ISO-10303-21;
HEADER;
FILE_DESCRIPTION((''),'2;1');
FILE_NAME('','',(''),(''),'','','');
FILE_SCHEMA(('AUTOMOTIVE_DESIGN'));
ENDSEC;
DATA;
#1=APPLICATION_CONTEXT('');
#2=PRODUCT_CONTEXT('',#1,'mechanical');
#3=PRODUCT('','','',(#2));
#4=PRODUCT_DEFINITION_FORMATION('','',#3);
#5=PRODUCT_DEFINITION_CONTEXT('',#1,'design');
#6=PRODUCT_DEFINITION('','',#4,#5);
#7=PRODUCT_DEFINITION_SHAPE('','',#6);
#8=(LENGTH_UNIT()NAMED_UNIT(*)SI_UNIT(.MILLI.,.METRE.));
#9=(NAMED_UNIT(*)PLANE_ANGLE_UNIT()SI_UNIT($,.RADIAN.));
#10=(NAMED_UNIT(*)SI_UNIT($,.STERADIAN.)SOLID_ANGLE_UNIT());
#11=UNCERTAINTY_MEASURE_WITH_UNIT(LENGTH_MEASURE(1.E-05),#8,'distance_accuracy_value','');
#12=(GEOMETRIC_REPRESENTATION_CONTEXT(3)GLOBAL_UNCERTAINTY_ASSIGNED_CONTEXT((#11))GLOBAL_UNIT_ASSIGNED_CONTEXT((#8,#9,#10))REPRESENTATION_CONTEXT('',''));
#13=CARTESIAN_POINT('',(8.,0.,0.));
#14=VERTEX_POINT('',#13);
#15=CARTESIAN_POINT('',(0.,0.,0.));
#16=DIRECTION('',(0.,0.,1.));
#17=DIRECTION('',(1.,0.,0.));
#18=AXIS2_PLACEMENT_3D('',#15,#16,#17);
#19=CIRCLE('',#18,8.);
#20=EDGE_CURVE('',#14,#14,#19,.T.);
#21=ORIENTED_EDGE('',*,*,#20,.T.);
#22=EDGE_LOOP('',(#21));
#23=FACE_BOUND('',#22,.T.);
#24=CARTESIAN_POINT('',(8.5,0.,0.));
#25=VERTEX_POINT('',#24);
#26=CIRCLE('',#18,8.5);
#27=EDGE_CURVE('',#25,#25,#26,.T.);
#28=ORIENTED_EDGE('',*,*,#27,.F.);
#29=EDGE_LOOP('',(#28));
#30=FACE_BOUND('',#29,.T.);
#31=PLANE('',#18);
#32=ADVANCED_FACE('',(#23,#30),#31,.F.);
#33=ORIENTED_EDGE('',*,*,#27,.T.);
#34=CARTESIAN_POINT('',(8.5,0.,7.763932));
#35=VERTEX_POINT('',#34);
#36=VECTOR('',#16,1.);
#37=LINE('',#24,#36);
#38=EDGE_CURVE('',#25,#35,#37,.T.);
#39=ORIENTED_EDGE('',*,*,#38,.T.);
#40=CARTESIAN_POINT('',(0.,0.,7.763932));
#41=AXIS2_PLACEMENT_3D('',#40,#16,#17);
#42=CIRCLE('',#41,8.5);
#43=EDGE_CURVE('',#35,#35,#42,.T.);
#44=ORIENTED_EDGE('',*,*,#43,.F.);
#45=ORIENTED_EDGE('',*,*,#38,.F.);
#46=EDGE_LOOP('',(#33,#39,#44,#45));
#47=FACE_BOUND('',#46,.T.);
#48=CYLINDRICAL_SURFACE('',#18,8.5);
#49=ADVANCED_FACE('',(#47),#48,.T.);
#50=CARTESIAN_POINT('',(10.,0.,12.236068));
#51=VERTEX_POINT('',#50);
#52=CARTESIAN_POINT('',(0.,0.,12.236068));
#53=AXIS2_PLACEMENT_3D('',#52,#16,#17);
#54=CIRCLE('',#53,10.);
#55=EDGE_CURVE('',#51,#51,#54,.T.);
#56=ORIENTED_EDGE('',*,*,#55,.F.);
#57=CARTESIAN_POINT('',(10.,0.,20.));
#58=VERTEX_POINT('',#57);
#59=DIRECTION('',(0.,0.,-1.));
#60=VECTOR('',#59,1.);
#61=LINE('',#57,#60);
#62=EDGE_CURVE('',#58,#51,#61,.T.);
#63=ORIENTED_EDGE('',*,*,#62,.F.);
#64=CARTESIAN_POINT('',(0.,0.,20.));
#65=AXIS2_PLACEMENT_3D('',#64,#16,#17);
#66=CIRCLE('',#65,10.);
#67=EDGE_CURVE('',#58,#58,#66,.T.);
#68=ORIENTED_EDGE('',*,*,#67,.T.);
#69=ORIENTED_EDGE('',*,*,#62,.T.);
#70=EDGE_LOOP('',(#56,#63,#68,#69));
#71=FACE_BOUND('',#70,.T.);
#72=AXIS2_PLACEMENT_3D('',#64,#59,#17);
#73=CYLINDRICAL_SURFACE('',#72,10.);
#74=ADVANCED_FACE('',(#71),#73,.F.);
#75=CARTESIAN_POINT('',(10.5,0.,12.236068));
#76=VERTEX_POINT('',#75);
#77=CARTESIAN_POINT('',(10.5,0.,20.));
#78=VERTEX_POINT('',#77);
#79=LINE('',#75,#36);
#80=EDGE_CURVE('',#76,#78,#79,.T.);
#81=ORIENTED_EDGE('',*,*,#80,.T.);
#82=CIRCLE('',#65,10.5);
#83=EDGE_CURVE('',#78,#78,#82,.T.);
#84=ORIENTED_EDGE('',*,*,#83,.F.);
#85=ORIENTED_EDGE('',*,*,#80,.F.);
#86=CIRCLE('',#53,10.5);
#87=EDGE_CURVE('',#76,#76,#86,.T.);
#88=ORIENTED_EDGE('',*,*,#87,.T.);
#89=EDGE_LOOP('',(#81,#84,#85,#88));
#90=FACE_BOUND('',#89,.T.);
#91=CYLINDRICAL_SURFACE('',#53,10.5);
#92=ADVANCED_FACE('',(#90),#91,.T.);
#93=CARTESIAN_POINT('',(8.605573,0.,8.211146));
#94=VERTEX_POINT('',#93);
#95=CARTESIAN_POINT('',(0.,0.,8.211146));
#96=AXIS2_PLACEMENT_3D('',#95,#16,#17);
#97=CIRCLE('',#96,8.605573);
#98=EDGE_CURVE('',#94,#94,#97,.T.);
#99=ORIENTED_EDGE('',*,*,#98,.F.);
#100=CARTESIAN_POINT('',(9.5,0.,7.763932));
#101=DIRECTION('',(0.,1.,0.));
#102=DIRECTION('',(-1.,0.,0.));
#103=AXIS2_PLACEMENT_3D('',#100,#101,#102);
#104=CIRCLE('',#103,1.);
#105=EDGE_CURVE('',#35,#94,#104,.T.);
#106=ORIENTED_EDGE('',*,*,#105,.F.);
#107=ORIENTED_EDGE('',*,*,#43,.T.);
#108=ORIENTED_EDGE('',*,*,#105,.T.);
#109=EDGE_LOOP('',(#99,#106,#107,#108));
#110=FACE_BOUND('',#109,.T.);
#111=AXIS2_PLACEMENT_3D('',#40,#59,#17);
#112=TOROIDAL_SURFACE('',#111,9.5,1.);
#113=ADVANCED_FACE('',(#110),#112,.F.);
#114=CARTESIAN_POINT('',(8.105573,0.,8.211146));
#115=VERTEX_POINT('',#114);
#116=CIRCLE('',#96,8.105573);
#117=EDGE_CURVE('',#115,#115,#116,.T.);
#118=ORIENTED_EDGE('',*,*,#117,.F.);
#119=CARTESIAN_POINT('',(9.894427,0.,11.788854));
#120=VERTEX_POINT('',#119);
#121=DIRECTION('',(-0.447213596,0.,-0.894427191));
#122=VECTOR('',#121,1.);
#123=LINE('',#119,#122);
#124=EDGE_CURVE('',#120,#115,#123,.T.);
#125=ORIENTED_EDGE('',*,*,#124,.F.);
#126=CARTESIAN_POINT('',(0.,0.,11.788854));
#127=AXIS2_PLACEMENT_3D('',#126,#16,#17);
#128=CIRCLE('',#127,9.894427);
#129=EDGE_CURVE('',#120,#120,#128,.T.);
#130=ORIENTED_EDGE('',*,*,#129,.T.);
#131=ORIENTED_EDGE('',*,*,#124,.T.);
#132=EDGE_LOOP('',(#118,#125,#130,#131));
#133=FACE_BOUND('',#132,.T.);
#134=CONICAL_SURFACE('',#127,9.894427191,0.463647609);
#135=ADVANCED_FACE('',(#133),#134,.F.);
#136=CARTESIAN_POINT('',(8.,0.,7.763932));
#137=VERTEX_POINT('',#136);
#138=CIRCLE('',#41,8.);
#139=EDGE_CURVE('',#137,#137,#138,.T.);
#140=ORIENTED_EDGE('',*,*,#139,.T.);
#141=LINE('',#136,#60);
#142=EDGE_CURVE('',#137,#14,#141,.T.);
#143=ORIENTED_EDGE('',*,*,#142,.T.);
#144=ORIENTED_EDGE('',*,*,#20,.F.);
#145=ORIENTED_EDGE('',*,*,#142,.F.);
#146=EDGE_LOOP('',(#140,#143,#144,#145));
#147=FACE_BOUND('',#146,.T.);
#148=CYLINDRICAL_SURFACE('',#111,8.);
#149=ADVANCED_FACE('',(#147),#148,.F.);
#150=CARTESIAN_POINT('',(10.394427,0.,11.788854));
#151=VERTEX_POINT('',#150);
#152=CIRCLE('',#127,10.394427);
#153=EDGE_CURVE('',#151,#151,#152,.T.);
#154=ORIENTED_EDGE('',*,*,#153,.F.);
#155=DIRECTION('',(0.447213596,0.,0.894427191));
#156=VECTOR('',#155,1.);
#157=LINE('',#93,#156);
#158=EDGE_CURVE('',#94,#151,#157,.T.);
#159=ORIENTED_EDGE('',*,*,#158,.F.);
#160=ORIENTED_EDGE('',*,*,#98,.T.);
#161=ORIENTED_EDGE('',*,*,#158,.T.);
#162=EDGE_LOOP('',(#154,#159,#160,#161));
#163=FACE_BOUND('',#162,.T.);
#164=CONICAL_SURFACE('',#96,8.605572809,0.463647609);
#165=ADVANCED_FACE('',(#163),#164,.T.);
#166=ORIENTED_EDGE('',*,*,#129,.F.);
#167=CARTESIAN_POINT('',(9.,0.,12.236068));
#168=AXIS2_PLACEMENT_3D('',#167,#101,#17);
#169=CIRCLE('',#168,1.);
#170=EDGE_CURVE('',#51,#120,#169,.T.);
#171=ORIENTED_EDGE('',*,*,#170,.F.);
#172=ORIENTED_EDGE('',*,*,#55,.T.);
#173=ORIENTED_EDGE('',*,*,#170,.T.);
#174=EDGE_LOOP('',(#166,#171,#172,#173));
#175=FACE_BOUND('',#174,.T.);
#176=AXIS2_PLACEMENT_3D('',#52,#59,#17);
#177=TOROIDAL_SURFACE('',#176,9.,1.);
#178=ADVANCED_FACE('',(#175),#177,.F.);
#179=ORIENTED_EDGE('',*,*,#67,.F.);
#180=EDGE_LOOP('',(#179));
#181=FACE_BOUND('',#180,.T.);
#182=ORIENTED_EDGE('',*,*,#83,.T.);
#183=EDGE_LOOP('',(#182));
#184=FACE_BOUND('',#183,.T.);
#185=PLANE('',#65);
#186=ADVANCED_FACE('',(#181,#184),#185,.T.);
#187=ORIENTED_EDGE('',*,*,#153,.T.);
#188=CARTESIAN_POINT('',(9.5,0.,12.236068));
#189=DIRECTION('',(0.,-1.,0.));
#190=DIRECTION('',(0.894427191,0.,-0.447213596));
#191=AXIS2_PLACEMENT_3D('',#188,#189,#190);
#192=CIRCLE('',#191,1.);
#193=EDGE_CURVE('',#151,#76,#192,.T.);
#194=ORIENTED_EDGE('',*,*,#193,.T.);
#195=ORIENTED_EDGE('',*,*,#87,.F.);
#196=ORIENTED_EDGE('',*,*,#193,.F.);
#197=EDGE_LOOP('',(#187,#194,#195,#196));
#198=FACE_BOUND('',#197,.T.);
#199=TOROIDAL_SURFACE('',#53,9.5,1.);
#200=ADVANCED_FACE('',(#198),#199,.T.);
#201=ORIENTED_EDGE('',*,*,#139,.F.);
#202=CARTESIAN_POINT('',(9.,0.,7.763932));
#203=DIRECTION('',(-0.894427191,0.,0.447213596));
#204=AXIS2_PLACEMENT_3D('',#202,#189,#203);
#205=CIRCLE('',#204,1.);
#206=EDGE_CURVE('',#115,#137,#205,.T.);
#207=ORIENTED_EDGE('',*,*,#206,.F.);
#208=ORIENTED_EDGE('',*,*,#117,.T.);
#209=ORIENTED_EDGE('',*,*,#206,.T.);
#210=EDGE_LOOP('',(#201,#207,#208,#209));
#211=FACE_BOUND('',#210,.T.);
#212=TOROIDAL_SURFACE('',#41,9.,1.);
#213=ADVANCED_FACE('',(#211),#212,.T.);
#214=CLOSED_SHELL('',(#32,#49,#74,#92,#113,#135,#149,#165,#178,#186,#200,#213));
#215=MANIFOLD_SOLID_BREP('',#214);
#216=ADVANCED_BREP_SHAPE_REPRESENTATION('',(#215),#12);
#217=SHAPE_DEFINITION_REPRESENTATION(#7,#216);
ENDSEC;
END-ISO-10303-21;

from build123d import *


with BuildPart() as f2:
    # F1 (on Front) → F2 (revolve)
    with BuildSketch(Plane.XZ):
        with BuildLine():
            Line((8, 7.7639320225), (8, 0))
            Line((8, 0), (8.5, 0))
            Line((8.5, 0), (8.5, 7.7639320225))
            ThreePointArc((8.5, 7.7639320225), (8.5267510105, 7.993684943), (8.605572809, 8.211145618))
            Line((8.605572809, 8.211145618), (10.394427191, 11.788854382))
            ThreePointArc((10.394427191, 11.788854382), (10.4732489895, 12.006315057), (10.5, 12.2360679775))
            Line((10.5, 12.2360679775), (10.5, 20))
            Line((10.5, 20), (10, 20))
            Line((10, 20), (10, 12.2360679775))
            ThreePointArc((10, 12.2360679775), (9.9732489895, 12.006315057), (9.894427191, 11.788854382))
            Line((9.894427191, 11.788854382), (8.105572809, 8.211145618))
            ThreePointArc((8.105572809, 8.211145618), (8.0267510105, 7.993684943), (8, 7.7639320225))
        make_face()
    revolve(axis=Axis((0, 0, 0), (0, 0, 1)))


solid = f2.part
